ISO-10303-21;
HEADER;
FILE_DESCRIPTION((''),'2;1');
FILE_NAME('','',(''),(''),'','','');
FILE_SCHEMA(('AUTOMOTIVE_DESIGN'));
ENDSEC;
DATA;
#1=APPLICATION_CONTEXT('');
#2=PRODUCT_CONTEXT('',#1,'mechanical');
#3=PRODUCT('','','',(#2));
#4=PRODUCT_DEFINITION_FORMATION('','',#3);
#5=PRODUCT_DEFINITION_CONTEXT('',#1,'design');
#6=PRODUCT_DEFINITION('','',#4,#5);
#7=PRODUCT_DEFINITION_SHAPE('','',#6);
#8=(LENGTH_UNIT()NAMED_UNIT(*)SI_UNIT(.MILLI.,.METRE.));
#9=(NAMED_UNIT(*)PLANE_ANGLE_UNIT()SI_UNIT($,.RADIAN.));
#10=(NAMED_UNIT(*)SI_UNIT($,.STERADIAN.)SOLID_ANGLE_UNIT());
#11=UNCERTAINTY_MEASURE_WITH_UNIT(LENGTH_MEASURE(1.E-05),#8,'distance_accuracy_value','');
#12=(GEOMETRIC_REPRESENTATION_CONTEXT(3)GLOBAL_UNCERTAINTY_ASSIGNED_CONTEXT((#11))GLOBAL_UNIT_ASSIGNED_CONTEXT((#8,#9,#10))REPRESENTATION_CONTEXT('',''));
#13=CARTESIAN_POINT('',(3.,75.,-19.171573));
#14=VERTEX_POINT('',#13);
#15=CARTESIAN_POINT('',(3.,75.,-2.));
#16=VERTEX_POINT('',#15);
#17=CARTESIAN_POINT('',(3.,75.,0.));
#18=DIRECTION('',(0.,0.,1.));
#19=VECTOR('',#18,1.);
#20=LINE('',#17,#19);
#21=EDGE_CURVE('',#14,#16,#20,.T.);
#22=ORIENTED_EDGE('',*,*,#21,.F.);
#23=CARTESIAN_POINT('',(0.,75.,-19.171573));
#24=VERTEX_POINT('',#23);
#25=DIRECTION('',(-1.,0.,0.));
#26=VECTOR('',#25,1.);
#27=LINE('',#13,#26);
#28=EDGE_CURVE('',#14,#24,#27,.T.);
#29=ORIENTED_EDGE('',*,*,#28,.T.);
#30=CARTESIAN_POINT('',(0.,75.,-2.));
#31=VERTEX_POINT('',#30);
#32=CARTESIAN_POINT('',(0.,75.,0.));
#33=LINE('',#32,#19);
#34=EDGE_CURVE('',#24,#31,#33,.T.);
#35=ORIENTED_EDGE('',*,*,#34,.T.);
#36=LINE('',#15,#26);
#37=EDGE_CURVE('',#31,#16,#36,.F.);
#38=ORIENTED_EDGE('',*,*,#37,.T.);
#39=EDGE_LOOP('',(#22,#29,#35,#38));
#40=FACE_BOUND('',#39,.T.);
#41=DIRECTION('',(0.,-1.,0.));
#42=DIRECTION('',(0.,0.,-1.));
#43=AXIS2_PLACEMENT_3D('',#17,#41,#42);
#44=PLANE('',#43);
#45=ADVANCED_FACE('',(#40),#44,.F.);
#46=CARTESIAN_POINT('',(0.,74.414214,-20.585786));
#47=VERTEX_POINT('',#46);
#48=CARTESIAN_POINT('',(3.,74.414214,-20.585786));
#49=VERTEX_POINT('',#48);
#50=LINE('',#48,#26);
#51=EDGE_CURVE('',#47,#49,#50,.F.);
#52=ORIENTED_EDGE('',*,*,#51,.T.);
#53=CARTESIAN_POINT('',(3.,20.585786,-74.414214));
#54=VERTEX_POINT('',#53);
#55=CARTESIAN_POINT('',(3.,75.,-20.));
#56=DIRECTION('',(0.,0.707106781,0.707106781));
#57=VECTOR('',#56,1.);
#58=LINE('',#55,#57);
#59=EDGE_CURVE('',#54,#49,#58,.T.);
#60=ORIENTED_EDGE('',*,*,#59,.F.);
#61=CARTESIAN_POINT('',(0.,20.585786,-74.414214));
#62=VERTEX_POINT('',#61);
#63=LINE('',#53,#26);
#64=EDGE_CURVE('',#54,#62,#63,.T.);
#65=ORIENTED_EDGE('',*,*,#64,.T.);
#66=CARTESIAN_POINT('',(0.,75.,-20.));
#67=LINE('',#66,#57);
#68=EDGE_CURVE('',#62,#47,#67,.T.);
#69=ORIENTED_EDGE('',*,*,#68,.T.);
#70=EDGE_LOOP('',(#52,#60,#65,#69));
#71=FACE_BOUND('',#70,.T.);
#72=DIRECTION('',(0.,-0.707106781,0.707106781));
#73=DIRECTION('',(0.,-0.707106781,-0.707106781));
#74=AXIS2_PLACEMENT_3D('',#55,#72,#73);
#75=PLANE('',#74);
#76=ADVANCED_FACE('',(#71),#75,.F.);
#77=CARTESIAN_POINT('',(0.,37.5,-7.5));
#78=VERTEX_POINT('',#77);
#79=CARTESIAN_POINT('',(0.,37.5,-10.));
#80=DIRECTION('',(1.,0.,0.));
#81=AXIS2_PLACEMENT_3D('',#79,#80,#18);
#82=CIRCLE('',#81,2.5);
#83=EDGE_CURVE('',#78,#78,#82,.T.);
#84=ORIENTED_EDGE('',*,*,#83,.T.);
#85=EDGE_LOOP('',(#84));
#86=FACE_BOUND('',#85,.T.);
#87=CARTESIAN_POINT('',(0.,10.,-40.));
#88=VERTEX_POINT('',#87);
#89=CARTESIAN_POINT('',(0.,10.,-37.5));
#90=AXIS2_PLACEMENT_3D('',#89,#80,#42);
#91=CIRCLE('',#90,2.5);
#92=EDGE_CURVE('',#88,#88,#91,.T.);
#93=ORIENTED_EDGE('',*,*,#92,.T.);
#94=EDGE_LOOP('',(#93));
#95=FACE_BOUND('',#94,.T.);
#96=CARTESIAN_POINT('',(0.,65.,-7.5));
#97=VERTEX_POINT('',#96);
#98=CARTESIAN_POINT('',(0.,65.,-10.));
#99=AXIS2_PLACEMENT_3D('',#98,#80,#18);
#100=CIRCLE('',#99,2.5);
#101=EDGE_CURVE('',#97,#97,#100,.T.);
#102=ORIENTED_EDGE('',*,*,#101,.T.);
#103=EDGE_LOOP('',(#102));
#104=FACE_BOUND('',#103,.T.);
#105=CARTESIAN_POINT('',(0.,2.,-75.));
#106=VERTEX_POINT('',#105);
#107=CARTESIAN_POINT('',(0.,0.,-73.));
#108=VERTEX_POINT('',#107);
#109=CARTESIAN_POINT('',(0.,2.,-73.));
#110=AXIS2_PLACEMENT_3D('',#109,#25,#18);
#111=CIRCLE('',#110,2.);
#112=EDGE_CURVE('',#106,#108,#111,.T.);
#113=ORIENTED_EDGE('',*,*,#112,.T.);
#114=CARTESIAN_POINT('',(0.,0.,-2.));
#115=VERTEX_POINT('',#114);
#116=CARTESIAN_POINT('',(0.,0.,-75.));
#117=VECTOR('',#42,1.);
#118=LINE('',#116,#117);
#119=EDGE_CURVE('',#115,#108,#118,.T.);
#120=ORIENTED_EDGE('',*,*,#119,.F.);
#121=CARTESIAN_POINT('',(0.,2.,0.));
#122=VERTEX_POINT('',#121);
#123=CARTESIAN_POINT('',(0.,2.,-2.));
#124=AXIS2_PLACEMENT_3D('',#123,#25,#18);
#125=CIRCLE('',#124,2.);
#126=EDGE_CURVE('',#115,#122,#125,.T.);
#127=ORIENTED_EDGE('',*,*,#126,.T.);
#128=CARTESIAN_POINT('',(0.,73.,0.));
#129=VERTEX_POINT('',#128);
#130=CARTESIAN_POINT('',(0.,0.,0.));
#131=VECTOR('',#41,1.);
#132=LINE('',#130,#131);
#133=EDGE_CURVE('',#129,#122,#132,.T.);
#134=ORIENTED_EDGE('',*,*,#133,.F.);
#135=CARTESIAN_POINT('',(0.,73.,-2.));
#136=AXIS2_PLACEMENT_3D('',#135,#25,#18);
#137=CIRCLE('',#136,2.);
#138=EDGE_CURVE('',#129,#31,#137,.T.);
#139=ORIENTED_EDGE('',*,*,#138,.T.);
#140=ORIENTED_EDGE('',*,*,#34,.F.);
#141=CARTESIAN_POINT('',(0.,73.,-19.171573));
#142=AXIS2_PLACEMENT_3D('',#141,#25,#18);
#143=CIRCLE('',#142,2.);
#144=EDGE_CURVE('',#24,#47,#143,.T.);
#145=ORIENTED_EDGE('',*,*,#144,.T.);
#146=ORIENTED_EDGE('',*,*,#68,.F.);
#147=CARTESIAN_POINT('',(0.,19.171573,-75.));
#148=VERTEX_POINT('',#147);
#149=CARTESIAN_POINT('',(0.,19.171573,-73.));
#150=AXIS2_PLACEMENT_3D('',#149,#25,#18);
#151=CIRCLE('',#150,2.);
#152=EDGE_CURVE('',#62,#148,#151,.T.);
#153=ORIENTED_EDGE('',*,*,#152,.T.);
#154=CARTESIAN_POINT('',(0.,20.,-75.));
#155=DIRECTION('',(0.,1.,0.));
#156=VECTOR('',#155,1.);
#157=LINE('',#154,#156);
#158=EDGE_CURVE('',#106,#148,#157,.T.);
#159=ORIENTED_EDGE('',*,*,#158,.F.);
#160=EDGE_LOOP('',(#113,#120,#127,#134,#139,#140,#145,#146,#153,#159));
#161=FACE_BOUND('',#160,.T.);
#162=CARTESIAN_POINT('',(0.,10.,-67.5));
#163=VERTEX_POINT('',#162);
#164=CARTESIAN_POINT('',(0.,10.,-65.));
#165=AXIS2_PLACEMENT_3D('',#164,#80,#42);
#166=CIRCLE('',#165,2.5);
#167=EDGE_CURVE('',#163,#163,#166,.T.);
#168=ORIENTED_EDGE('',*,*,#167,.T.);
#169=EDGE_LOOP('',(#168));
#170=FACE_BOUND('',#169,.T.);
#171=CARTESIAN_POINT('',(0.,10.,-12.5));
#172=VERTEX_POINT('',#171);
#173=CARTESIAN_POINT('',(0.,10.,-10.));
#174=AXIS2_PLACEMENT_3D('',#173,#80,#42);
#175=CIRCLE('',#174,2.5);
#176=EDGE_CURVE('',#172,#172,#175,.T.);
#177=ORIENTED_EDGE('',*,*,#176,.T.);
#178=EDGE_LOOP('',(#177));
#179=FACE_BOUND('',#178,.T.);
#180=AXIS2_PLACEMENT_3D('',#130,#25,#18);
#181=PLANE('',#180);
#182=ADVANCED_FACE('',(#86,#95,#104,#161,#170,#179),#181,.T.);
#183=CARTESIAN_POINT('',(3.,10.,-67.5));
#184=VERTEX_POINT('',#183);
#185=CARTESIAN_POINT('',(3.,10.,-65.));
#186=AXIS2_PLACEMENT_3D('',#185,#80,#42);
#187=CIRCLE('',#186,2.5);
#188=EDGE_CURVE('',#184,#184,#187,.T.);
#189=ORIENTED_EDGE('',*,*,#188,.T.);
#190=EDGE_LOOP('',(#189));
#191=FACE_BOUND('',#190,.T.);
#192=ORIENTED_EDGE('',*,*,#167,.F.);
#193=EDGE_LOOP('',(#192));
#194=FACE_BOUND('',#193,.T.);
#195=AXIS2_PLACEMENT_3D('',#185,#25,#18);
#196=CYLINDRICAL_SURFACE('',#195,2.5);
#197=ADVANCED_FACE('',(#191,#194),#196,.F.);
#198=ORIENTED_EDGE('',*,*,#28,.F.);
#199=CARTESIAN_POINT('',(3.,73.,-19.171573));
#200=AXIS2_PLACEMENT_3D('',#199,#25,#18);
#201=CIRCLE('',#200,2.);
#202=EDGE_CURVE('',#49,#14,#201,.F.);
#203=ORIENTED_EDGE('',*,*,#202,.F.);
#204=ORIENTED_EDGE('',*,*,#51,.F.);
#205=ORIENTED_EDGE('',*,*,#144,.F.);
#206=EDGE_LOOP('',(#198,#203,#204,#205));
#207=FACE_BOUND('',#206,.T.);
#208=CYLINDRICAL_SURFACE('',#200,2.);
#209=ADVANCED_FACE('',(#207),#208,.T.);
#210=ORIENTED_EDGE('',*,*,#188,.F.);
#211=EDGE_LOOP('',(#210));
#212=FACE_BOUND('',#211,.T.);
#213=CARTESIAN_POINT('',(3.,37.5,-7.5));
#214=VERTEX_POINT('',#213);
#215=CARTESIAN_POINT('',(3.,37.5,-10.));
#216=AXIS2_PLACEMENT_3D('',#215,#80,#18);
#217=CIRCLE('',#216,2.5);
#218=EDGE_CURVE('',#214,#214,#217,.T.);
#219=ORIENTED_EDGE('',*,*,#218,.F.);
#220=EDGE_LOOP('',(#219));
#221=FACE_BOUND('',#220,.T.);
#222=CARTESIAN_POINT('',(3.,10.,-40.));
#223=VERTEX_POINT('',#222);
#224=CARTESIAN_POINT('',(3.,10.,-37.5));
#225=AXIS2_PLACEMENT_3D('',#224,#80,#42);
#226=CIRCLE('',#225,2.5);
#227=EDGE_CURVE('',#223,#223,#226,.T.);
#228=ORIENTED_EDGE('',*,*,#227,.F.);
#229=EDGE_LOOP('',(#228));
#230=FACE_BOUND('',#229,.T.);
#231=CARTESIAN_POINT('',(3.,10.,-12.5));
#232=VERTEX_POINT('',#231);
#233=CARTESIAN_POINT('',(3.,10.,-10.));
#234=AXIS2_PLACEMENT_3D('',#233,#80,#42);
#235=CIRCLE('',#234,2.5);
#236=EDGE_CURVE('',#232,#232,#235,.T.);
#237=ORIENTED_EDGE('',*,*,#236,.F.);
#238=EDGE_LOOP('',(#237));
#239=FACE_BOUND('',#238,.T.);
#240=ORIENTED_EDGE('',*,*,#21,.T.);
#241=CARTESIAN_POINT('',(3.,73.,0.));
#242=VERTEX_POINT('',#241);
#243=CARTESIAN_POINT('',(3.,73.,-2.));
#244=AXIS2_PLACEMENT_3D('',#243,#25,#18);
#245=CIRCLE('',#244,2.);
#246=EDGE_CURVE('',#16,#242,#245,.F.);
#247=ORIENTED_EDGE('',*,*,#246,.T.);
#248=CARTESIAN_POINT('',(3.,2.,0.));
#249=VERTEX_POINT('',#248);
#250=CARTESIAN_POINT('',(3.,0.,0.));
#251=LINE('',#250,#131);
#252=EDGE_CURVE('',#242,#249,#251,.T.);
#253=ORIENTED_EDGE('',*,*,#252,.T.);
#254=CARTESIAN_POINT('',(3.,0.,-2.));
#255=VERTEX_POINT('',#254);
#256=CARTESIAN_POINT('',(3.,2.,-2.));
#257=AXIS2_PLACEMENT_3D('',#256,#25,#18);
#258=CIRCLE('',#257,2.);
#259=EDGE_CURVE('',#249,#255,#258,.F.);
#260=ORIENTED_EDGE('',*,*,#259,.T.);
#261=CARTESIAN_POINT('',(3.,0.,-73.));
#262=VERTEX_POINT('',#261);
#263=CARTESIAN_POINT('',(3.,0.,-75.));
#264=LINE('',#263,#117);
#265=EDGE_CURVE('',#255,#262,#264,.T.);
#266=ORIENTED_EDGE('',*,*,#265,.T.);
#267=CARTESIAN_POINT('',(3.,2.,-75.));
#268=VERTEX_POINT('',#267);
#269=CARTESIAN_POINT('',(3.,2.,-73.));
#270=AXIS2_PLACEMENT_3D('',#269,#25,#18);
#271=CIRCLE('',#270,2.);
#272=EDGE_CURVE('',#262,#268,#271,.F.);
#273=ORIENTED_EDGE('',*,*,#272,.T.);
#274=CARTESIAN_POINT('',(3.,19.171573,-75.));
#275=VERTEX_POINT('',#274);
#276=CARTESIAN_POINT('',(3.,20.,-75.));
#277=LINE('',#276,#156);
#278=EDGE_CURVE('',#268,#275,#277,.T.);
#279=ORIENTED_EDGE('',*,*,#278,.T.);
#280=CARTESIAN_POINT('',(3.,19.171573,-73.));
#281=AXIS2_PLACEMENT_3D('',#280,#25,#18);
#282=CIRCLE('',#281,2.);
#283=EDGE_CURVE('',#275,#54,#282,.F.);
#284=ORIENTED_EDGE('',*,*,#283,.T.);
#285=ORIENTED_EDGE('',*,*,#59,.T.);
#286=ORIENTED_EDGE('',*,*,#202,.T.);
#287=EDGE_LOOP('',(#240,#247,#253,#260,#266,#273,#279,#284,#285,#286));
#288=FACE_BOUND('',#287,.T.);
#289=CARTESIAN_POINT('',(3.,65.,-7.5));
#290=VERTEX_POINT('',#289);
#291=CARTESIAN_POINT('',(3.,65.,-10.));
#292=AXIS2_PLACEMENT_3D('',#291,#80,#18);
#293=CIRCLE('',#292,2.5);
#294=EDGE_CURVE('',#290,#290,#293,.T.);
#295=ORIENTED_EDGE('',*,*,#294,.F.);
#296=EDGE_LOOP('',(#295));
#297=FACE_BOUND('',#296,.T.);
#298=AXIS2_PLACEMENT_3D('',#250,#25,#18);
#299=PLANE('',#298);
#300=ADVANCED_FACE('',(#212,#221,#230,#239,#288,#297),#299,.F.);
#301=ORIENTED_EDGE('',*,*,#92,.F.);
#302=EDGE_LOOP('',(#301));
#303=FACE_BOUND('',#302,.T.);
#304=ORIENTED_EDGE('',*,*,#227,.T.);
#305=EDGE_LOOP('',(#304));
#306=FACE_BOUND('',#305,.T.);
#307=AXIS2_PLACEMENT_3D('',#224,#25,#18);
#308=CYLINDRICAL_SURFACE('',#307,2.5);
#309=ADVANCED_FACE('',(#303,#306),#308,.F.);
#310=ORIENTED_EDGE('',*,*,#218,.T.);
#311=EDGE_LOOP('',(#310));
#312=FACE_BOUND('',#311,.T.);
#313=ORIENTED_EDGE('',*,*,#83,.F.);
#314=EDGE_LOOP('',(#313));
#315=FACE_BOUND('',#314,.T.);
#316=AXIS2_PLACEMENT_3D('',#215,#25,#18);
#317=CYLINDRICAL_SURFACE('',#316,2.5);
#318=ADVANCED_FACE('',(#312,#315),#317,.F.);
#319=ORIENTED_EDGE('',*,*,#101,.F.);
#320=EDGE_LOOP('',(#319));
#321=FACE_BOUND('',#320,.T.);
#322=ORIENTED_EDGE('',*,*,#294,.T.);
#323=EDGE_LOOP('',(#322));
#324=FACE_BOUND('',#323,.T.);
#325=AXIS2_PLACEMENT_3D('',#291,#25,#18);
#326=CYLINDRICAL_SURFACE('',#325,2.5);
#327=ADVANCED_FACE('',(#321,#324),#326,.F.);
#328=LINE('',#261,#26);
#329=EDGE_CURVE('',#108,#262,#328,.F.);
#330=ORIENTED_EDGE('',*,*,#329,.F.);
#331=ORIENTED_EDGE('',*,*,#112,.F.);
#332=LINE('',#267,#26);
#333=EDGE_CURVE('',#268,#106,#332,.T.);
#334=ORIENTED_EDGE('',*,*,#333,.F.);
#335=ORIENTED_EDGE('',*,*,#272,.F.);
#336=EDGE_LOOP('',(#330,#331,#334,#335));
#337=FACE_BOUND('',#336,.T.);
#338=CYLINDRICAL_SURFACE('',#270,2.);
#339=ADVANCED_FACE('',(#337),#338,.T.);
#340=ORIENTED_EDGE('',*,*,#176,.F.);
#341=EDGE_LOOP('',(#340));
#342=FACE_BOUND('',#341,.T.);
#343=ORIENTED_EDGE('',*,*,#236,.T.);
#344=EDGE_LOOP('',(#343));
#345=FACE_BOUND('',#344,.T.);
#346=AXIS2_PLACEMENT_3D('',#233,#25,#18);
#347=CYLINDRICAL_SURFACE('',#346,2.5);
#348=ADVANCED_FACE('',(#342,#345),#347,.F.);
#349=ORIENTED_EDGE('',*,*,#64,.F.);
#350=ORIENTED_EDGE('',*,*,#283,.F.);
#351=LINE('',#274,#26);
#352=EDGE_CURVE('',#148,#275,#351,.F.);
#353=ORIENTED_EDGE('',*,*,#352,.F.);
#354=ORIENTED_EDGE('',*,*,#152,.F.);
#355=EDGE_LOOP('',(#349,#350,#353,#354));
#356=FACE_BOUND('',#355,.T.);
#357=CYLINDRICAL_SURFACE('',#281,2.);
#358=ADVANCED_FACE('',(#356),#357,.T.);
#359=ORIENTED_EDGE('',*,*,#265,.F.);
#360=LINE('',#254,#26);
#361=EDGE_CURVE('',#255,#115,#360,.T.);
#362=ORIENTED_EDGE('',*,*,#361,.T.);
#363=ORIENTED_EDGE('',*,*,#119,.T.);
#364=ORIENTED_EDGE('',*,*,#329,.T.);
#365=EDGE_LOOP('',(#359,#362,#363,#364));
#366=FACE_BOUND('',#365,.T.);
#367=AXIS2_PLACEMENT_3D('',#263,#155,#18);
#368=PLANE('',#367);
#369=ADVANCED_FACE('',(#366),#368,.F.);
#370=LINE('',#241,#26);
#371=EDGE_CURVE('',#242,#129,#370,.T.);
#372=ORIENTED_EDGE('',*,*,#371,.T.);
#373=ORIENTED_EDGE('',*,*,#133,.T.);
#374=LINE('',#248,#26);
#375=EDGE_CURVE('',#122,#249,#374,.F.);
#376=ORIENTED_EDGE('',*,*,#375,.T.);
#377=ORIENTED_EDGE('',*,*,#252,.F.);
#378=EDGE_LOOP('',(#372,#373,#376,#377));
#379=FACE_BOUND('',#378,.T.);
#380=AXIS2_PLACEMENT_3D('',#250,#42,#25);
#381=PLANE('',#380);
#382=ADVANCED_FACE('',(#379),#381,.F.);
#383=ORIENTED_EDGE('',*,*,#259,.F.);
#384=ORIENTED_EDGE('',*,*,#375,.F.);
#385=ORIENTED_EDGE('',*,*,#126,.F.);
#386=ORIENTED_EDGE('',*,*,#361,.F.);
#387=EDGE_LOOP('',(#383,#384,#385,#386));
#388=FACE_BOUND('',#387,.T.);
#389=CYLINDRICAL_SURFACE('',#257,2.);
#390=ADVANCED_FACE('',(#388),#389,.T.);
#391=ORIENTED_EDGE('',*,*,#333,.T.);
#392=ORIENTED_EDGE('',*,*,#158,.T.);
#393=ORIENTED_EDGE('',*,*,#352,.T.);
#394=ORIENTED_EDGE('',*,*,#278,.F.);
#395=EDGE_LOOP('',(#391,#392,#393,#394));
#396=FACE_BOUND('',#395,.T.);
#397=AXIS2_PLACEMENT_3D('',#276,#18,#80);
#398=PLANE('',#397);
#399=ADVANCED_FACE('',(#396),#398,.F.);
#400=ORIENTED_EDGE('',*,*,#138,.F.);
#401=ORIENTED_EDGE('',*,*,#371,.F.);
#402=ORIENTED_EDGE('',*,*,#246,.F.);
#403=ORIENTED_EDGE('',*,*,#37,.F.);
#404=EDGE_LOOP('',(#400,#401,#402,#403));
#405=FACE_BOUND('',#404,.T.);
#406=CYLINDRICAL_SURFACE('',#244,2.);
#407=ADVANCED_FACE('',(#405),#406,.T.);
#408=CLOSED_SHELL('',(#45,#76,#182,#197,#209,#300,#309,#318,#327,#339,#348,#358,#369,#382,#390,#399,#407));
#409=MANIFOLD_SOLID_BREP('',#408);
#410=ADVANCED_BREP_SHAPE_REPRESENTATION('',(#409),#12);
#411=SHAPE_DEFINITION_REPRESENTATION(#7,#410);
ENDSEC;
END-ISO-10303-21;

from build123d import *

# Parameters (mm, degrees)
SKETCH1_R           = 2.5
BOSS_EXTRUDE1_DEPTH = 3
FILLET1_R           = 2


with BuildPart() as part:
    # Sketch1 → Boss-Extrude1 (new body)
    with BuildSketch(Plane(origin=(0, 0, 0), x_dir=(0, 0, -1), z_dir=(1, 0, 0))):
        Polygon((75, 0), (0, 0), (0, 75), (20, 75), (75, 20), align=None)
        with Locations((65, 10)):
            Circle(SKETCH1_R, mode=Mode.SUBTRACT)
        with Locations((37.5, 10)):
            Circle(SKETCH1_R, mode=Mode.SUBTRACT)
        with Locations((10, 10)):
            Circle(SKETCH1_R, mode=Mode.SUBTRACT)
        with Locations((10, 65)):
            Circle(SKETCH1_R, mode=Mode.SUBTRACT)
        with Locations((10, 37.5)):
            Circle(SKETCH1_R, mode=Mode.SUBTRACT)
    extrude(amount=BOSS_EXTRUDE1_DEPTH)

    # Fillet1
    fillet1_edges = [part.edges().sort_by_distance(p)[0] for p in [
        (1.5, 0, -75),
        (1.5, 0, 0),
        (1.5, 75, 0),
        (1.5, 75, -20),
        (1.5, 20, -75),
    ]]
    fillet(fillet1_edges, radius=FILLET1_R)


solid = part.part
